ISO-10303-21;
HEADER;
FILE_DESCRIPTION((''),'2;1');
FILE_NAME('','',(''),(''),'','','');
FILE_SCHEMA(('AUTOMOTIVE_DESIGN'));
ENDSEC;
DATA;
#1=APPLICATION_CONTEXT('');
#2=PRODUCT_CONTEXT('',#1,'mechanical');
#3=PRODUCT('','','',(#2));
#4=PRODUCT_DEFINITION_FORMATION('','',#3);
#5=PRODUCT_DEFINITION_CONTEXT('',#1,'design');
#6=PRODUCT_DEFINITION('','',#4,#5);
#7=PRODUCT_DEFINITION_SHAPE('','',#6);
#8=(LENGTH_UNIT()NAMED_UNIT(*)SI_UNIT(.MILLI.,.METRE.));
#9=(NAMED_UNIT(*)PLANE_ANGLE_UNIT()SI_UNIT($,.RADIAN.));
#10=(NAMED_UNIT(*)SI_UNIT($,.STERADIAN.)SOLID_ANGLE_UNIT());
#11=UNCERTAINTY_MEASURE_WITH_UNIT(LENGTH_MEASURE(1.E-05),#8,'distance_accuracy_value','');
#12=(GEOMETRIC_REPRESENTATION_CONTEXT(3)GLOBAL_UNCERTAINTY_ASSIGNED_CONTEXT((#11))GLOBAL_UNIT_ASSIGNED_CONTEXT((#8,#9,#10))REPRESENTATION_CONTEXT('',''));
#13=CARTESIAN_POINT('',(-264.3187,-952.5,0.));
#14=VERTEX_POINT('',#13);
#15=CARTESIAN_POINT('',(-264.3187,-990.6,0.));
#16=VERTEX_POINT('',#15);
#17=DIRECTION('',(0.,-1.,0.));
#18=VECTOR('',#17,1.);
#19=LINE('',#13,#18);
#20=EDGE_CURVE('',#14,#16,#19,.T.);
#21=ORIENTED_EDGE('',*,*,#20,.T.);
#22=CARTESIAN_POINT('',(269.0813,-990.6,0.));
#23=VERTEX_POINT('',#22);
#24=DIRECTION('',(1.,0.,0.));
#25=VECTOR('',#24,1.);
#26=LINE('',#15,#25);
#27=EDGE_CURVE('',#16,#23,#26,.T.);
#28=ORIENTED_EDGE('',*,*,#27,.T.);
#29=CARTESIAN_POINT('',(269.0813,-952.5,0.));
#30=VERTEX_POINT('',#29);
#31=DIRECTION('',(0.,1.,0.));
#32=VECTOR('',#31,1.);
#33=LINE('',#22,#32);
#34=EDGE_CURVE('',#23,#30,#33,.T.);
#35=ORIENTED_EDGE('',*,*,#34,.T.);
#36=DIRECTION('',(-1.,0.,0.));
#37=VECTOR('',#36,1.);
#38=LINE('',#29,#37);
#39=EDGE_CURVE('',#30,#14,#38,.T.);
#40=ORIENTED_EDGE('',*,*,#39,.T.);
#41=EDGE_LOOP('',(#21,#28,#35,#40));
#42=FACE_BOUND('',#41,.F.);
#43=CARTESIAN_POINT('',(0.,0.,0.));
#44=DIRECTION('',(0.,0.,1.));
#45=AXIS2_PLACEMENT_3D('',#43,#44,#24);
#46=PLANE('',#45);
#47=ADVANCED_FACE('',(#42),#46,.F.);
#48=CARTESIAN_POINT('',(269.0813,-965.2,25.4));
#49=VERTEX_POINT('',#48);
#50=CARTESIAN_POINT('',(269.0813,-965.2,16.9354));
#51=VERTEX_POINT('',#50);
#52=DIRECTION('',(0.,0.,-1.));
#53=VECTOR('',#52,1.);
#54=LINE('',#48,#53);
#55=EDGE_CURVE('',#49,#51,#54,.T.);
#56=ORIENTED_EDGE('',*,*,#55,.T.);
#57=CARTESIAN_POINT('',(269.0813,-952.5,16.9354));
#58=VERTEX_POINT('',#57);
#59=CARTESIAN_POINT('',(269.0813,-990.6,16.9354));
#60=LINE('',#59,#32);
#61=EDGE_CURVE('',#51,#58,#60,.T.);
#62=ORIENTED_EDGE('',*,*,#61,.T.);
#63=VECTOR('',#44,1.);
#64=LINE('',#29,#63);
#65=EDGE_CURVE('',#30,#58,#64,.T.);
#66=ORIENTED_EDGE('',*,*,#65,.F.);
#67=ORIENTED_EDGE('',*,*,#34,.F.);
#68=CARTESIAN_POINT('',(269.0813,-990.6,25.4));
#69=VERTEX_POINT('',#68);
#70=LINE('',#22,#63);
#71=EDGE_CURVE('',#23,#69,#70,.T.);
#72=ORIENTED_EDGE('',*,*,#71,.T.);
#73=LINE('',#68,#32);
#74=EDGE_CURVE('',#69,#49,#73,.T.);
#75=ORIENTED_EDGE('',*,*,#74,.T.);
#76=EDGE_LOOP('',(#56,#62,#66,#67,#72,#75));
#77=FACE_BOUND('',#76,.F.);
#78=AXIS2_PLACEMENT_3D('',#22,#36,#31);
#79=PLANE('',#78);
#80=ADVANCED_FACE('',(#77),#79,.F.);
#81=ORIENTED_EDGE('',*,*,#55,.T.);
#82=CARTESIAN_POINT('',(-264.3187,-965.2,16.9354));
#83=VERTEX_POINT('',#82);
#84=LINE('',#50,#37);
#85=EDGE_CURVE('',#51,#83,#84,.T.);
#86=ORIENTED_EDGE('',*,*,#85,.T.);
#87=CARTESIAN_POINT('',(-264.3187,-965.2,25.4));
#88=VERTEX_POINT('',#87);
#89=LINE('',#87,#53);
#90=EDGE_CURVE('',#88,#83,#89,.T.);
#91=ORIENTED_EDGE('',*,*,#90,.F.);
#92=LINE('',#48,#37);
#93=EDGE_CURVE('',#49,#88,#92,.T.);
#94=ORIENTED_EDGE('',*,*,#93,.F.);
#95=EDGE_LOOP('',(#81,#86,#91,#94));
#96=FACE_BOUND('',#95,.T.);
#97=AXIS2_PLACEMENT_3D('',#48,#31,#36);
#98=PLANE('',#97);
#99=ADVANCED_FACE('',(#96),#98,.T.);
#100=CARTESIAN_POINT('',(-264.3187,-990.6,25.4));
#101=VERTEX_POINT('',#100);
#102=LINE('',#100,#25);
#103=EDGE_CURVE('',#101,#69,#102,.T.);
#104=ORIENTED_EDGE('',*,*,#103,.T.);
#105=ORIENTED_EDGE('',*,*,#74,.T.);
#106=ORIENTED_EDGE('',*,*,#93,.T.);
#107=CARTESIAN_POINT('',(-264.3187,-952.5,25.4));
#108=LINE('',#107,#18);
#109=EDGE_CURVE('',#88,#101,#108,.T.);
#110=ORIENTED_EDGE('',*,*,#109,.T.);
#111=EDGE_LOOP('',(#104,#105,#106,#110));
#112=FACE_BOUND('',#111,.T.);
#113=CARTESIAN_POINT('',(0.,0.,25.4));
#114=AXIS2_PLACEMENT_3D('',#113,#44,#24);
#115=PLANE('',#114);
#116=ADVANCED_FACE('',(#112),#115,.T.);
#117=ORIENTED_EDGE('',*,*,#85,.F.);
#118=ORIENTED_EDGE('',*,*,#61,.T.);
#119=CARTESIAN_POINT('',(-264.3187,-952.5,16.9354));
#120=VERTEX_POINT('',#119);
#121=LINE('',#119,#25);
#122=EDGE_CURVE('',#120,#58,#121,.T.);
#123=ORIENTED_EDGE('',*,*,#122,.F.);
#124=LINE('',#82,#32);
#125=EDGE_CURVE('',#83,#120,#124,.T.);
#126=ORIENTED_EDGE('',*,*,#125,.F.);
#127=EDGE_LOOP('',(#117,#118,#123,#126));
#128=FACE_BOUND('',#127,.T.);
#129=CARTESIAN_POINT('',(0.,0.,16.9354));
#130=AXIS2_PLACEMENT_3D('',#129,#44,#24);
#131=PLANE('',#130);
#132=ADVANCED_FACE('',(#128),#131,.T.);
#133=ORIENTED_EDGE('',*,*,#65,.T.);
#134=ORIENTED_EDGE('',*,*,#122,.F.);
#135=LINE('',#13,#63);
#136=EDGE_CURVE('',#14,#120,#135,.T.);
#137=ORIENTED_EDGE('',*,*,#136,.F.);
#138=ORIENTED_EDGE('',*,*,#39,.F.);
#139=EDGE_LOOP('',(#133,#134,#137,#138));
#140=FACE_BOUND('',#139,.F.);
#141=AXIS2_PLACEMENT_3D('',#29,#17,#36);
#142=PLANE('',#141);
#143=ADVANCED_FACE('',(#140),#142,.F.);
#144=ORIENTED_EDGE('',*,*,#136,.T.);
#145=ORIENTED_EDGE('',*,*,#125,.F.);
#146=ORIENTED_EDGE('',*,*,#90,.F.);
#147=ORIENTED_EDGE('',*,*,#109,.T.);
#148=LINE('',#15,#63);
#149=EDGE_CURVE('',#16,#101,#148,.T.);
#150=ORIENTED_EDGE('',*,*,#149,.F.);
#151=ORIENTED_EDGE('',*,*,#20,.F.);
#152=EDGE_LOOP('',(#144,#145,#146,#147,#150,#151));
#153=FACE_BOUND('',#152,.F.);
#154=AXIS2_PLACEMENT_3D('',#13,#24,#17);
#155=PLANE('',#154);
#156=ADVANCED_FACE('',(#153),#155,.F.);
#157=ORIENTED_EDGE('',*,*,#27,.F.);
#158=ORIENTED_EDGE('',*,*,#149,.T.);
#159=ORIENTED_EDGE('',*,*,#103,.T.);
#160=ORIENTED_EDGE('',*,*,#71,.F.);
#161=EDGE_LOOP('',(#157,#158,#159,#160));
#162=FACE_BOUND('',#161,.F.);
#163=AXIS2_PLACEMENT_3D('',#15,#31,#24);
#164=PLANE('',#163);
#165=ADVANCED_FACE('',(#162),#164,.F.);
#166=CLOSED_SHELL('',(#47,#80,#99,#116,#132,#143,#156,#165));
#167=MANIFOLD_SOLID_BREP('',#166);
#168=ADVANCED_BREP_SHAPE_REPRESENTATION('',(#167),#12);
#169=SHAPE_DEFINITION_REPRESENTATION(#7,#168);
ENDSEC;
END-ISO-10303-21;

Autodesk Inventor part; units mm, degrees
ref_plane "YZ Plane" through (0, 0, 0) normal (1, 0, 0) x (0, 1, 0)
ref_plane "XZ Plane" through (0, 0, 0) normal (0, 1, 0) x (-1, 0, 0)
ref_plane "XY Plane" through (0, 0, 0) normal (0, 0, 1) x (1, 0, 0)
ref_plane "Work Plane1" through (0, 0, 0) normal (0, 0, 1) x (1, 0, 0)
sketch "Sketch1" plane through (0, 0, 0) normal (0, 0, 1) x (1, 0, 0)
  line L0 (-264.3187, -990.6) -> (269.0813, -990.6)
  line L1 (269.0813, -990.6) -> (269.0813, -952.5)
  line L2 (269.0813, -952.5) -> (-264.3187, -952.5)
  line L3 (-264.3187, -952.5) -> (-264.3187, -990.6)
  point P0 (0, 0)
  dimension "d0" = 533.4
  dimension "d1" = 38.1
extrude "Extrusion1" add sketch "Sketch1" along normal blind 25.4
sketch "Sketch2" plane through (0, 0, 25.4) normal (0, 0, 1) x (1, 0, 0)
  line L0 (269.0813, -990.6) -> (269.0813, -952.5) projected
  line L1 (-264.3187, -952.5) -> (269.0813, -952.5)
  line L2 (269.0813, -952.5) -> (269.0813, -965.2)
  line L3 (269.0813, -965.2) -> (-264.3187, -965.2)
  line L4 (-264.3187, -965.2) -> (-264.3187, -952.5)
  point P0 (0, 0)
  dimension "d4" = 12.7
extrude "Extrusion2" cut sketch "Sketch2" against normal blind 8.4646
properties part number "TopBottomBorder"
